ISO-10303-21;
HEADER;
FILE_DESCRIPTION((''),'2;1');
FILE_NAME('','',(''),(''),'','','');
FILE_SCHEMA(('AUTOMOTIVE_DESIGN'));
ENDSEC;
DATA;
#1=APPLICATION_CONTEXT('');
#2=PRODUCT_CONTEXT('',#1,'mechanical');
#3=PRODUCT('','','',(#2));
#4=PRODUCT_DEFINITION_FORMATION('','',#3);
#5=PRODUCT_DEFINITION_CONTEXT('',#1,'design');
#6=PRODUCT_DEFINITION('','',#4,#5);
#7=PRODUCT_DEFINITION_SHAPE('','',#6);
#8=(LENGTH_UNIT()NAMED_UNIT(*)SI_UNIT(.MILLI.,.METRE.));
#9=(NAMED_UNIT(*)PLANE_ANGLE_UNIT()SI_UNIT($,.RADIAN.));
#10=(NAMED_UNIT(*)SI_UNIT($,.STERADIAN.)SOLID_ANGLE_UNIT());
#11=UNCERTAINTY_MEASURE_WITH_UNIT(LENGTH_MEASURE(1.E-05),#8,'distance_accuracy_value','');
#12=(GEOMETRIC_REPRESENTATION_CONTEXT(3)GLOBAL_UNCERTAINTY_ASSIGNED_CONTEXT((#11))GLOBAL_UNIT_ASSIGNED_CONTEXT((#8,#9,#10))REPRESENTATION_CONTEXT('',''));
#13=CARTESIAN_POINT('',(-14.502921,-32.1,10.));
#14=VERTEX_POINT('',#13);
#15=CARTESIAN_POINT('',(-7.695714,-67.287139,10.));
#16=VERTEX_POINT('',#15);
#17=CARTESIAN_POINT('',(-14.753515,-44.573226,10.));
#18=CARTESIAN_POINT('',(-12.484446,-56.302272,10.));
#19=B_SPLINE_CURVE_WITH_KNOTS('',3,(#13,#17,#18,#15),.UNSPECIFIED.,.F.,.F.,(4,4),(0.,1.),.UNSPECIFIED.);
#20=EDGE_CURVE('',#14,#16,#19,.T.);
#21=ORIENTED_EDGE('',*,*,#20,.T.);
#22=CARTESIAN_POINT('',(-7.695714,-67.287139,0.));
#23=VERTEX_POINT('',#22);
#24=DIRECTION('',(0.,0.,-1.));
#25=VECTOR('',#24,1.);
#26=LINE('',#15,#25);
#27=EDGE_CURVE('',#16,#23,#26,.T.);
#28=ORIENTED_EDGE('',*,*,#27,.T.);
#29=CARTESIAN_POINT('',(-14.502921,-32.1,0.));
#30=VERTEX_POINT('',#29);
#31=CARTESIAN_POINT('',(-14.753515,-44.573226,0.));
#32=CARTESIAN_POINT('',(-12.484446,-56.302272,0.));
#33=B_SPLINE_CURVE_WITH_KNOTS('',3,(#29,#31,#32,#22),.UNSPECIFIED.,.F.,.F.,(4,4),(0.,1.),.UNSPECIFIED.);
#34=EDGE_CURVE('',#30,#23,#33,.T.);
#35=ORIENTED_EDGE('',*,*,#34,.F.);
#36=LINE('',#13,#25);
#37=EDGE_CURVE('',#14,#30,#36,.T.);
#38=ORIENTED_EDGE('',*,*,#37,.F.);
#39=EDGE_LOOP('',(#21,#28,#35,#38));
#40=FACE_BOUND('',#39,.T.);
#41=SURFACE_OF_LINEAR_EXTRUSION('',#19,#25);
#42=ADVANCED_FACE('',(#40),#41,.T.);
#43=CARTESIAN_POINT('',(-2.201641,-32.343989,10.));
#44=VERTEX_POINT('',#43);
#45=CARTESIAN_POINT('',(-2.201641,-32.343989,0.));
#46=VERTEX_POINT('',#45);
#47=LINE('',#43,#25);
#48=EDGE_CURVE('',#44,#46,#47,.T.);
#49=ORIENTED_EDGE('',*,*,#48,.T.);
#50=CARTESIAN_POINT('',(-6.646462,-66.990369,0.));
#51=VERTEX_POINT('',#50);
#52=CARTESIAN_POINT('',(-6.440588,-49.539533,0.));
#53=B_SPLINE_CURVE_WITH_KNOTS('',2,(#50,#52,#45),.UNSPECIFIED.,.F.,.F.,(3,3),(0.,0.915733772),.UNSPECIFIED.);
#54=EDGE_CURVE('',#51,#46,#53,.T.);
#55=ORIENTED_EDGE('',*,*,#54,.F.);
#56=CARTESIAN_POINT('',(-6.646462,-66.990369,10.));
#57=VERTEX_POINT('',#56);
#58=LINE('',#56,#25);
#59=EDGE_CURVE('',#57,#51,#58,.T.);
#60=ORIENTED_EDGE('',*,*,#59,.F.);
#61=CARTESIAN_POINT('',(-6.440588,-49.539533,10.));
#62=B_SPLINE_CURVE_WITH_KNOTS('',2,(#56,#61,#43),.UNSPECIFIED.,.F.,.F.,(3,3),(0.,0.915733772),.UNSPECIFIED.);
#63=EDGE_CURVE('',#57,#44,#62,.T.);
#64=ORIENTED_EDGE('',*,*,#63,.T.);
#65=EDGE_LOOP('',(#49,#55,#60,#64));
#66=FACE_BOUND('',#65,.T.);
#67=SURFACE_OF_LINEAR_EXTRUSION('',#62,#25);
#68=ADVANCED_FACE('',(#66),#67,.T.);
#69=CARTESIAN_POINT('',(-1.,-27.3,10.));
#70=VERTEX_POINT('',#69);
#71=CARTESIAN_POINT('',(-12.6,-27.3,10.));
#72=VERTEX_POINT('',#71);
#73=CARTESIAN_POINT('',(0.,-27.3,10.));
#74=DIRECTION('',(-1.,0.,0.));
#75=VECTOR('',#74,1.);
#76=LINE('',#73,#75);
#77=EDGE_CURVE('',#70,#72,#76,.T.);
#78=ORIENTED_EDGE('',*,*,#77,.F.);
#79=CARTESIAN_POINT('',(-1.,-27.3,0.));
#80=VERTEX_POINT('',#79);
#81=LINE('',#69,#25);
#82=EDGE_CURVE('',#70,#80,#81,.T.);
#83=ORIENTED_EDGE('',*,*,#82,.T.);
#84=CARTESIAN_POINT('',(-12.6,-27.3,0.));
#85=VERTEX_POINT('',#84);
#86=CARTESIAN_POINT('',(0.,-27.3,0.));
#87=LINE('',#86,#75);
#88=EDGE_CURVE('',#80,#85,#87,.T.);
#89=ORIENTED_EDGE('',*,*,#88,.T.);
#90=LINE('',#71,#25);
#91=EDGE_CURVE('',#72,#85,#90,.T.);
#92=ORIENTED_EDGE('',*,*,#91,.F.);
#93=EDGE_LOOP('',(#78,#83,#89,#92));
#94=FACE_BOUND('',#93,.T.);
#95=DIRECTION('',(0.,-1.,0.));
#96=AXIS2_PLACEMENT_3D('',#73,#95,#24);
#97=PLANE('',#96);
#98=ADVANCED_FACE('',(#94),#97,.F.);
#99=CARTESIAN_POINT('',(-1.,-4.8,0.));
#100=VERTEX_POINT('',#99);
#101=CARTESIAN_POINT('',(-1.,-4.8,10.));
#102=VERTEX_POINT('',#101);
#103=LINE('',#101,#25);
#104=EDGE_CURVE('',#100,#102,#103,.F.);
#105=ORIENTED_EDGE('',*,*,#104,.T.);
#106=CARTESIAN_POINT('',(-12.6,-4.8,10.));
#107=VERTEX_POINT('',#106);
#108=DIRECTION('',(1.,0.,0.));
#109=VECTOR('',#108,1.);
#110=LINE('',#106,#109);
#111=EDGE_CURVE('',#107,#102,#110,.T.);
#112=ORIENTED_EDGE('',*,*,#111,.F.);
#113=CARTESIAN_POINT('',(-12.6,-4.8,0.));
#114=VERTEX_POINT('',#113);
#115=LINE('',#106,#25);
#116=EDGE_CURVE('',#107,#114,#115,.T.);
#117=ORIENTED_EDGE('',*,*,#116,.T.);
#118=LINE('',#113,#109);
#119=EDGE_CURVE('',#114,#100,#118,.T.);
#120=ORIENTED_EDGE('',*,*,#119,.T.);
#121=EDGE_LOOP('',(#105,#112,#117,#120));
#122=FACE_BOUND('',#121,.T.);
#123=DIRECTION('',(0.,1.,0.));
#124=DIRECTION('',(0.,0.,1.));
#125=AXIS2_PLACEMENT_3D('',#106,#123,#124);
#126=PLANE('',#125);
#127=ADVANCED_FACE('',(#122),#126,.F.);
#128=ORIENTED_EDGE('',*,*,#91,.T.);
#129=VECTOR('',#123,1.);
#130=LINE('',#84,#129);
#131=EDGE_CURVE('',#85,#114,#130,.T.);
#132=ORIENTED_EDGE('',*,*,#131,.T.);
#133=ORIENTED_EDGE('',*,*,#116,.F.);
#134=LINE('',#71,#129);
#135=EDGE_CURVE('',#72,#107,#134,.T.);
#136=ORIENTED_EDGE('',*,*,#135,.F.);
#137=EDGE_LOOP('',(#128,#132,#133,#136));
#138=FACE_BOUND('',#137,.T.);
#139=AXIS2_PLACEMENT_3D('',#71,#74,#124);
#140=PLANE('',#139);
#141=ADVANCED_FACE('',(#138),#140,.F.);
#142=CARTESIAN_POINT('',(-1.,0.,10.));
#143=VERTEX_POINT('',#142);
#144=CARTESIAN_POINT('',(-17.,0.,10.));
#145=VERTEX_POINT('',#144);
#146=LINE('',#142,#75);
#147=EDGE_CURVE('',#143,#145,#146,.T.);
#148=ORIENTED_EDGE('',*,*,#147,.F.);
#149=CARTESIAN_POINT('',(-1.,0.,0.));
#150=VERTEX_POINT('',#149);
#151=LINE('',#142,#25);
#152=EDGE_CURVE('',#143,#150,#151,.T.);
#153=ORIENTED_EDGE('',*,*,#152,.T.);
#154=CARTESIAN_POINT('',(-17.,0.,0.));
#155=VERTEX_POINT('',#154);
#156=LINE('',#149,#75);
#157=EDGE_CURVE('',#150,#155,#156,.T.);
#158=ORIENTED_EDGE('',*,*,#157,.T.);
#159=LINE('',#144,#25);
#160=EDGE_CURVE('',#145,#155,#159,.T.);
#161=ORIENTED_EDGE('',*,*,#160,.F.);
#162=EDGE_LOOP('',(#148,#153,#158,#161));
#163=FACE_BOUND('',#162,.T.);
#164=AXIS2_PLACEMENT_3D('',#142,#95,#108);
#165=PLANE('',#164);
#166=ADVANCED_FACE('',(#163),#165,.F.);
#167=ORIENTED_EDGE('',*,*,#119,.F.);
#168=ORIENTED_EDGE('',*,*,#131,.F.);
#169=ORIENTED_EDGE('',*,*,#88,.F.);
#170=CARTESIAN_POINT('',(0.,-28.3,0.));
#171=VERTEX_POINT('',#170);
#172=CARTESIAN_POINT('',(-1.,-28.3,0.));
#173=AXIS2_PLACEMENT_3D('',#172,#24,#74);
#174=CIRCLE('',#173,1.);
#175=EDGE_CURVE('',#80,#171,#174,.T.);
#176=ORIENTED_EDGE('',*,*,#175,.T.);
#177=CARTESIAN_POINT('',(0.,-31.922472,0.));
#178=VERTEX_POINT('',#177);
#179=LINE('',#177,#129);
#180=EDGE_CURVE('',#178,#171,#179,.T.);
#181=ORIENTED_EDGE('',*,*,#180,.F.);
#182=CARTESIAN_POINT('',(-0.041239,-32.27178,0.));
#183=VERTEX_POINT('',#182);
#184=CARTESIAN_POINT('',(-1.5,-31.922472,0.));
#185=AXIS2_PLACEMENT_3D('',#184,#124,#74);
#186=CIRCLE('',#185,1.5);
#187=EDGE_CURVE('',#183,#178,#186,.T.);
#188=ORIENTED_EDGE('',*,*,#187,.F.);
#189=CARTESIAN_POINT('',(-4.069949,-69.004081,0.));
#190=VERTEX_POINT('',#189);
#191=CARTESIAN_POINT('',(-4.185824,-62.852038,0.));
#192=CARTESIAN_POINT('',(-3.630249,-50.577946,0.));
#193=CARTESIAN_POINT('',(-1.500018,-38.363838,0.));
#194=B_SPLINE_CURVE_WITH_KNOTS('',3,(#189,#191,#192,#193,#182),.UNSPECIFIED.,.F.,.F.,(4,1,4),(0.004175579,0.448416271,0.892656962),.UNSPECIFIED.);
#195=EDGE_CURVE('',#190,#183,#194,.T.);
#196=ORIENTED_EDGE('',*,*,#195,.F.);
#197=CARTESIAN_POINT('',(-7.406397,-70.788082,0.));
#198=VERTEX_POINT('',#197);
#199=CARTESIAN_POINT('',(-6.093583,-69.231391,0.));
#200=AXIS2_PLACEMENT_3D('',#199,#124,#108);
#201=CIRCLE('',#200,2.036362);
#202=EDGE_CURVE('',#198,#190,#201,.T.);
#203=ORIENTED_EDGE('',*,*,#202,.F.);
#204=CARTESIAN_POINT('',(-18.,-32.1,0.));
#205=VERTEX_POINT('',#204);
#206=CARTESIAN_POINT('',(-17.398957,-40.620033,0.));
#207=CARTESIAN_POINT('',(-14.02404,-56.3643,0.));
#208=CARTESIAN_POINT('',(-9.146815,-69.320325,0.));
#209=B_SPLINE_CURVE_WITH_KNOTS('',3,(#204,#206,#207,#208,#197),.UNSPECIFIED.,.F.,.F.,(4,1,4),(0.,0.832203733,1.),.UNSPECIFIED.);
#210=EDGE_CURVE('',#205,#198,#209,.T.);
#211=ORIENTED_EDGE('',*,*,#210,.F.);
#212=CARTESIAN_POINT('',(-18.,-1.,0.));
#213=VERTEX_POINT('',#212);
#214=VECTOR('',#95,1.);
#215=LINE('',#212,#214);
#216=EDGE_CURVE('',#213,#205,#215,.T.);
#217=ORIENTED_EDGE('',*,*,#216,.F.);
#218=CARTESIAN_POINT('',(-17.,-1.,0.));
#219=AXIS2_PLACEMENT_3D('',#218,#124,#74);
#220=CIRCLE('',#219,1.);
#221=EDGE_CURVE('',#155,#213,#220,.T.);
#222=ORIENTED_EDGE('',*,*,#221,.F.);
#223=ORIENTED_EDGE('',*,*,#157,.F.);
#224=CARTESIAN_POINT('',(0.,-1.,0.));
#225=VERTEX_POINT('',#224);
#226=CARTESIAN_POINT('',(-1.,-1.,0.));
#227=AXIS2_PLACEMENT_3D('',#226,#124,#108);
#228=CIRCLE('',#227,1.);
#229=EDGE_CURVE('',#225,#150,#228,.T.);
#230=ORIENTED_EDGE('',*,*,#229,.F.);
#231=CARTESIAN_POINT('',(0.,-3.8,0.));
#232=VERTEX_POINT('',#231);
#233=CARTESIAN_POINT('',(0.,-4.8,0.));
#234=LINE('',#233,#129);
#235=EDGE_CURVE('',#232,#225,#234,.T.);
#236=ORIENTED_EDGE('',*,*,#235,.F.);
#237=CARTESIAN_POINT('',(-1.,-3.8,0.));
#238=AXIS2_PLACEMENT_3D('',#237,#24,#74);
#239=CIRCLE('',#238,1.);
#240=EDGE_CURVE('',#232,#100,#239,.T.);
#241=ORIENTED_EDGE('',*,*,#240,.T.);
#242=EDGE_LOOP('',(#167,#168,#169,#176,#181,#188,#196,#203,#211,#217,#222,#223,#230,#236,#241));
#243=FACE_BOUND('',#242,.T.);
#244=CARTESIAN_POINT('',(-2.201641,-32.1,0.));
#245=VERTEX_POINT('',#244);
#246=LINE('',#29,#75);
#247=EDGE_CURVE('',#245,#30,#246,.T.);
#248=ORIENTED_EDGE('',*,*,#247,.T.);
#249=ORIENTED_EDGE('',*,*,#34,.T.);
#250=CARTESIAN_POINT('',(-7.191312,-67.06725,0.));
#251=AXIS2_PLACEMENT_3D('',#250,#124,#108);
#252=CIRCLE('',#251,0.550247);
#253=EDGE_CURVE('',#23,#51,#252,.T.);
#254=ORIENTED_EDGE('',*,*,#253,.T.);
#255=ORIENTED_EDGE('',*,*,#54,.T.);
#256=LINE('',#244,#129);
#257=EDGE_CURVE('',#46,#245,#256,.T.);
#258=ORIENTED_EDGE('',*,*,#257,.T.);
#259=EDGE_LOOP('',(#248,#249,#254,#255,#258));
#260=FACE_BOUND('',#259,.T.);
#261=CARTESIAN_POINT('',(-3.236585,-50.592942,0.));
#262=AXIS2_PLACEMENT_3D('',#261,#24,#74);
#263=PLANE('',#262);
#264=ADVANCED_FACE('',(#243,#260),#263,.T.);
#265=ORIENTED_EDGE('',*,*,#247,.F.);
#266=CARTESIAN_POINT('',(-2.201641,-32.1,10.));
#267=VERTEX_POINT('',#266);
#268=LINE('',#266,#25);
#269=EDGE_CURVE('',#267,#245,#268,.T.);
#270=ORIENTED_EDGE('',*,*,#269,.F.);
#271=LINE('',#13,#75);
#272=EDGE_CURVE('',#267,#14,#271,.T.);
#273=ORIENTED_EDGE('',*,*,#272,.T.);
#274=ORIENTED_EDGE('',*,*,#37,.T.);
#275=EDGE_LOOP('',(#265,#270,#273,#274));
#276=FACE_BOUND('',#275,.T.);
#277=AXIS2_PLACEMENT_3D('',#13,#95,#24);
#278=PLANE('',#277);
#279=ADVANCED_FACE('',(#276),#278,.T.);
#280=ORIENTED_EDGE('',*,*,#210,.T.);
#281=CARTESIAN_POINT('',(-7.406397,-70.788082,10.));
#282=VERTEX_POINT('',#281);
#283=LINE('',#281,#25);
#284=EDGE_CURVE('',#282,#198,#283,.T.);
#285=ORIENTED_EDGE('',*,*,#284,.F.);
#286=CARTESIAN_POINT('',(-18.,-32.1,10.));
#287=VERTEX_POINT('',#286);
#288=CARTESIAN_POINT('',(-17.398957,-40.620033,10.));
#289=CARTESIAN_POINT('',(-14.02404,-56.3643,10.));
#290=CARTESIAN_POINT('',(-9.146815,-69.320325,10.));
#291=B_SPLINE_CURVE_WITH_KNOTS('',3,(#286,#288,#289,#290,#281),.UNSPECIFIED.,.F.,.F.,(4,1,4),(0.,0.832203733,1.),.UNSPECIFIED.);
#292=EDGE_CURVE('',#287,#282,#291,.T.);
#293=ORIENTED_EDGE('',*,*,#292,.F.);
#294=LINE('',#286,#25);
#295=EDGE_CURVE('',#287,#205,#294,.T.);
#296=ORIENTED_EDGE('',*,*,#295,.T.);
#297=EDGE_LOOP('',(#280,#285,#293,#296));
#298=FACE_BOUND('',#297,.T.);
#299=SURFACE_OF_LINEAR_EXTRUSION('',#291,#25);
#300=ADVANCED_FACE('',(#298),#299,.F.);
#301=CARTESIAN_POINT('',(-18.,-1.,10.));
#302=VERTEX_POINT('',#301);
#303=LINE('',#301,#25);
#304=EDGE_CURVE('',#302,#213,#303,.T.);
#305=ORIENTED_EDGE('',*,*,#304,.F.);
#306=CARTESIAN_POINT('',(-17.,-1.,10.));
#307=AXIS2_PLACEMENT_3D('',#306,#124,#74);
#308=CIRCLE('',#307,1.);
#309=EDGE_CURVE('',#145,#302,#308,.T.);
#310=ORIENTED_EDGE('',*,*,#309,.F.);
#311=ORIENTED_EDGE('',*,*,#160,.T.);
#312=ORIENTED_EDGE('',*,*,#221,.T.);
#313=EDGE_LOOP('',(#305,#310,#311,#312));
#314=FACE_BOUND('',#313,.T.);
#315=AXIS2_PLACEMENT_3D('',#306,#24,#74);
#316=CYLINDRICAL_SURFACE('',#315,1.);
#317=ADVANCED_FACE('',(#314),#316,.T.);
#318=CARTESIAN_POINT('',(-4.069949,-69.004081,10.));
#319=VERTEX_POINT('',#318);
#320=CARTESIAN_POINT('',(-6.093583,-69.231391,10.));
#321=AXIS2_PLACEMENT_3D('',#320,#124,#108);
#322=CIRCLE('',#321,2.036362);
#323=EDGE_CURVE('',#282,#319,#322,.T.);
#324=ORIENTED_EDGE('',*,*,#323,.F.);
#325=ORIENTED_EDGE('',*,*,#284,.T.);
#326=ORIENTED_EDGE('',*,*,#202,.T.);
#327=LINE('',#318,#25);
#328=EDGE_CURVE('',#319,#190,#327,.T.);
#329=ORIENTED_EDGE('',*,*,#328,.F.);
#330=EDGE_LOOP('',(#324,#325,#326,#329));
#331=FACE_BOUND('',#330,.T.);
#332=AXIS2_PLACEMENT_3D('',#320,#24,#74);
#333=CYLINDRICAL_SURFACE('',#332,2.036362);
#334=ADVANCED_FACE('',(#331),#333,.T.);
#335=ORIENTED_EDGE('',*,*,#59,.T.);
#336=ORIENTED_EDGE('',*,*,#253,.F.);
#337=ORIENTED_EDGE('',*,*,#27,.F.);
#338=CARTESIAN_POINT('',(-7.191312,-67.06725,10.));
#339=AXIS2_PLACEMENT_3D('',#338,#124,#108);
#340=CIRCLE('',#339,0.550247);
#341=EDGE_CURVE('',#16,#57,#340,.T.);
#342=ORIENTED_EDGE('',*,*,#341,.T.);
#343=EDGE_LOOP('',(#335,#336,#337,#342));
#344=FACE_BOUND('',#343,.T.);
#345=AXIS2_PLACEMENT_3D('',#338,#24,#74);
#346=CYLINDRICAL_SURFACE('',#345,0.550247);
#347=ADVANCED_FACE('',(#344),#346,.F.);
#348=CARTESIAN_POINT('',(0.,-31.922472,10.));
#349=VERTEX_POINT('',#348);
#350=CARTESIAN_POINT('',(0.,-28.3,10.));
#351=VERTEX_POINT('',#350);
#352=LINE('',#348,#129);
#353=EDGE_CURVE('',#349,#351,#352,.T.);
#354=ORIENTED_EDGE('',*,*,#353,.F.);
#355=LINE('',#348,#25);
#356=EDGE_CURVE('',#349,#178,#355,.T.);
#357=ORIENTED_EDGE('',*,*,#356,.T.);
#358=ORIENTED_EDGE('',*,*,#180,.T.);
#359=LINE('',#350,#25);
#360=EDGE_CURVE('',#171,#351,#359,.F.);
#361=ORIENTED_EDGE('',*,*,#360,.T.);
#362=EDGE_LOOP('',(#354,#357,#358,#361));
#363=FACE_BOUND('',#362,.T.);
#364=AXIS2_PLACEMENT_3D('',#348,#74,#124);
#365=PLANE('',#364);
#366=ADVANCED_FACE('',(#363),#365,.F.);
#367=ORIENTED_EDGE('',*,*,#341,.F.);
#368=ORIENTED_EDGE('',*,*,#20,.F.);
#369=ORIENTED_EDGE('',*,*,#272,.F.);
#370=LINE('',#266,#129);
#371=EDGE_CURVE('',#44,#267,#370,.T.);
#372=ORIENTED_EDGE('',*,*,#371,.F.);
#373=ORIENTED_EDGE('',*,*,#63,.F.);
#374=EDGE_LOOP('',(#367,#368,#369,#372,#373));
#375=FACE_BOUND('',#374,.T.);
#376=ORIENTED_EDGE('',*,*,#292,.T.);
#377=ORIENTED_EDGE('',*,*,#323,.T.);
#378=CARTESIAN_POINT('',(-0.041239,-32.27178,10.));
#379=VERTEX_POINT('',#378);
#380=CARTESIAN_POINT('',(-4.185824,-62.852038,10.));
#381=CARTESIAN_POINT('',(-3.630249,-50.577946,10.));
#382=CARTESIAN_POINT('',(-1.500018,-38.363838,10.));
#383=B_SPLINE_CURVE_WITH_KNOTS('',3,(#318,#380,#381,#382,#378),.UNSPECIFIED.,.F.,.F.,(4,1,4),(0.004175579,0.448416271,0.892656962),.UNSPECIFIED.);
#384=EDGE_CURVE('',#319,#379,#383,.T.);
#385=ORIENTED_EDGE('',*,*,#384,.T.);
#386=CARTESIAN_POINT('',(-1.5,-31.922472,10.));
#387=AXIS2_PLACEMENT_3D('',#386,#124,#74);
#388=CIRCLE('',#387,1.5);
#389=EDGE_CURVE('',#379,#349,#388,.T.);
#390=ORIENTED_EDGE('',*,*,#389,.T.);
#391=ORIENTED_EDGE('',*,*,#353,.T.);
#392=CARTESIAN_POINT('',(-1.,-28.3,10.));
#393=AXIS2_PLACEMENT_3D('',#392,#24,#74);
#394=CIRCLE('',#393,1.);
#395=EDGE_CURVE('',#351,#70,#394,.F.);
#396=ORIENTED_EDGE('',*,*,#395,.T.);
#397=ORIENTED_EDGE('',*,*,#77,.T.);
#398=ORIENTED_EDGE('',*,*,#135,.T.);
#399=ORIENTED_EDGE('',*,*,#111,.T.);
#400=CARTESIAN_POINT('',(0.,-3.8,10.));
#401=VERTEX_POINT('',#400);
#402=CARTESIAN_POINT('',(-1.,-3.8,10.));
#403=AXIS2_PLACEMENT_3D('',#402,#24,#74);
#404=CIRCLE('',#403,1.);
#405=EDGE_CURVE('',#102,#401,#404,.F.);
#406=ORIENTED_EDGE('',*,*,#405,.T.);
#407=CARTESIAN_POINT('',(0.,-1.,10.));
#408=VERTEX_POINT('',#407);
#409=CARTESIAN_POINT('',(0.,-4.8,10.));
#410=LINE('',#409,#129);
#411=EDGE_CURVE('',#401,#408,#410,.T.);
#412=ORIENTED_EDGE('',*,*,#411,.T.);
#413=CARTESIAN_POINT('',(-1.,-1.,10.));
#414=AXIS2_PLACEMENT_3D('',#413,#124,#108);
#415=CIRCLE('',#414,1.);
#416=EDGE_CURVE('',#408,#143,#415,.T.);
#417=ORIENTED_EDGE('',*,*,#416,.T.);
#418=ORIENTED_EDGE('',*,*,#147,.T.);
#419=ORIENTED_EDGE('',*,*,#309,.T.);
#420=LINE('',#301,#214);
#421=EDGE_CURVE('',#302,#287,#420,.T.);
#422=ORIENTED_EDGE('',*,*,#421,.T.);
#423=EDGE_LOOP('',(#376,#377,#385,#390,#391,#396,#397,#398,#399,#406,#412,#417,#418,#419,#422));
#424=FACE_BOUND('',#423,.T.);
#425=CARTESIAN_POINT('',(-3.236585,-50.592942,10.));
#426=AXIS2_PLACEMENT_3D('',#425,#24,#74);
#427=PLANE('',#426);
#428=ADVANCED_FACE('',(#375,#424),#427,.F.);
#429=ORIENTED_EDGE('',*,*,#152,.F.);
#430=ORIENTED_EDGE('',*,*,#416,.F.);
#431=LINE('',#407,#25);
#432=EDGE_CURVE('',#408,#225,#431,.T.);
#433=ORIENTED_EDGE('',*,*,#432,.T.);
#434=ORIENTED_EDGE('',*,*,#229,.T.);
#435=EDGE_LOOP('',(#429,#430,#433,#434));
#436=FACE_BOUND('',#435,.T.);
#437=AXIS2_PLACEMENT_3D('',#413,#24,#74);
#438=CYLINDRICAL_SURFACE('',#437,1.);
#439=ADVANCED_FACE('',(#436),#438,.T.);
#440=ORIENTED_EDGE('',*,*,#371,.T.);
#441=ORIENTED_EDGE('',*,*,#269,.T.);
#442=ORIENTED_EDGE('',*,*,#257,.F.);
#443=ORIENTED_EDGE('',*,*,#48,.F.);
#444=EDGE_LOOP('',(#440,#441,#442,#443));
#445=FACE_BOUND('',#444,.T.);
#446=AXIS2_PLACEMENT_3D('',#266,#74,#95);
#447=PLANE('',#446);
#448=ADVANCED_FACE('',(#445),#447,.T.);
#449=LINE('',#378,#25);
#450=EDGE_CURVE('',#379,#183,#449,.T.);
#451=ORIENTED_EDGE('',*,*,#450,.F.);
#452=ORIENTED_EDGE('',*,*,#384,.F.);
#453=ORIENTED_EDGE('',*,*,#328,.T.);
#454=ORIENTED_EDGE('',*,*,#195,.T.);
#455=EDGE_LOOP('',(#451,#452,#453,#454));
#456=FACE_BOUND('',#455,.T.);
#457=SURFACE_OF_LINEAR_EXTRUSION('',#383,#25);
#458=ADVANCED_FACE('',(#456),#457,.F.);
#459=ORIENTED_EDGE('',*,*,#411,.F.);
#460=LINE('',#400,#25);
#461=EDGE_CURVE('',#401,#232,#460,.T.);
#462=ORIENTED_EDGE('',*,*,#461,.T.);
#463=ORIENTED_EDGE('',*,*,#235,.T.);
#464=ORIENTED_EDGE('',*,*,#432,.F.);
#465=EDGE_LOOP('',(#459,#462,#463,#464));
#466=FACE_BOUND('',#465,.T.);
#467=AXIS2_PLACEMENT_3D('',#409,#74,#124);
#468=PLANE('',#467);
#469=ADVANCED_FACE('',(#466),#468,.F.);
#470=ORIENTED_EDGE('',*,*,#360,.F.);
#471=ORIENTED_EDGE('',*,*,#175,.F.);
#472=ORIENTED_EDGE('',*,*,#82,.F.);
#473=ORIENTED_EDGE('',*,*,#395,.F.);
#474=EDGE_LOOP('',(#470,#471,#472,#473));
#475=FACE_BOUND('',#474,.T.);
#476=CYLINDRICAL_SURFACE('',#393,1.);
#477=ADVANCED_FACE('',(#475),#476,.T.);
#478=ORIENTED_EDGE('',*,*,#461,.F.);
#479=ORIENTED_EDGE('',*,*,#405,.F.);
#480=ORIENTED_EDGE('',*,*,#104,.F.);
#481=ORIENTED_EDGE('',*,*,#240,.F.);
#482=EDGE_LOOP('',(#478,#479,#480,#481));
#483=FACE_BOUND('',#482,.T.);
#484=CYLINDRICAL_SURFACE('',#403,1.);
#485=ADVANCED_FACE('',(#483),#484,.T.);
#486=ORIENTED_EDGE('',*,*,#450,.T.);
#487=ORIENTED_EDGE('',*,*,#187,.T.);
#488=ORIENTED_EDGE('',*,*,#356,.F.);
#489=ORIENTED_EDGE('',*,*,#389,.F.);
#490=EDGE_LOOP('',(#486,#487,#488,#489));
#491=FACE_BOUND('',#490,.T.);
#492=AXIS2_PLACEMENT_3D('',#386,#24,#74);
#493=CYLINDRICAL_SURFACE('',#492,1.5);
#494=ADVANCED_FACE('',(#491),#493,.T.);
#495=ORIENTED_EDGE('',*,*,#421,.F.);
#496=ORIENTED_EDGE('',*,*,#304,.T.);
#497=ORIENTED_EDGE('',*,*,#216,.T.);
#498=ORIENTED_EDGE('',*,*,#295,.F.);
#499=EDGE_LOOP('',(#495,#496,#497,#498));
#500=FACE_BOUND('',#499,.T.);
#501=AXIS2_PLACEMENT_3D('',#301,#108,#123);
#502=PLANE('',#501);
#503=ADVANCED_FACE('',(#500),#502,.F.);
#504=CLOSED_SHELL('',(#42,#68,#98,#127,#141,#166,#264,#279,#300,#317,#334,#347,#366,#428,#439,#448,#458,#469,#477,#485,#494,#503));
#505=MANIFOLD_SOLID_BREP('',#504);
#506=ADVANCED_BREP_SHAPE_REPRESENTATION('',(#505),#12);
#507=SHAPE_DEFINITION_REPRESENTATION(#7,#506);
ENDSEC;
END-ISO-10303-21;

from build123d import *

# Parameters (mm, degrees)
EXTRUDE_1_DEPTH = 10
FILLET_2_R      = 1


with BuildPart() as part:
    # 草图1 → 凸台-拉伸1 (new body)
    with BuildSketch(Plane.XY):
        with BuildLine():
            Line((-1, 0), (-17, 0))
            ThreePointArc((-17, 0), (-17.707106781, -0.292893219), (-18, -1))
            Line((-18, -1), (-18, -32.1))
            add(Edge.make_bspline(
                [(-18, -32.1), (-17.398957494, -40.620033007), (-14.024039593, -56.364300347), (-9.146815425, -69.320325423), (-7.406396999, -70.788082272)],
                knots=[0, 0, 0, 0, 0.832203733, 1, 1, 1, 1], degree=3))
            ThreePointArc((-7.406396999, -70.788082272), (-5.133384432, -71.027159545), (-4.069948517, -69.004080671))
            add(Edge.make_bspline(
                [(-0.041239115, -32.271780397), (-1.500018129, -38.363838214), (-3.630248711, -50.577946078), (-4.185824398, -62.852038397), (-4.069948517, -69.004080671)],
                knots=[0.004175579, 0.004175579, 0.004175579, 0.004175579, 0.448416271, 0.892656962, 0.892656962, 0.892656962, 0.892656962], degree=3))
            ThreePointArc((-0.041239115, -32.271780397), (-0.010345455, -32.098338919), (0, -31.922471537))
            Line((0, -31.922471537), (0, -27.3))
            Line((0, -27.3), (-12.6, -27.3))
            Line((-12.6, -27.3), (-12.6, -4.8))
            Line((-12.6, -4.8), (0, -4.8))
            Line((0, -4.8), (0, -1))
            ThreePointArc((0, -1), (-0.292893219, -0.292893219), (-1, 0))
        make_face()
        with BuildLine():
            Line((-14.502921195, -32.1), (-2.20164077, -32.1))
            Line((-2.20164077, -32.1), (-2.20164077, -32.343989367))
            add(Edge.make_bspline(
                [(-2.20164077, -32.343989367), (-6.440587853, -49.539532595), (-6.646462239, -66.99036895)],
                knots=[0, 0, 0, 0.915733772, 0.915733772, 0.915733772], degree=2))
            ThreePointArc((-6.646462239, -66.99036895), (-7.041555359, -67.59672648), (-7.695713933, -67.28713871))
            add(Edge.make_bspline(
                [(-14.502921195, -32.1), (-14.753514705, -44.573225705), (-12.484445617, -56.302271942), (-7.695713933, -67.28713871)],
                knots=[0, 0, 0, 0, 1, 1, 1, 1], degree=3))
        make_face(mode=Mode.SUBTRACT)
    extrude(amount=EXTRUDE_1_DEPTH)

    # 圆角2
    fillet_2_edges = [part.edges().sort_by_distance(p)[0] for p in [
        (0, -4.8, 5),
        (0, -27.3, 5),
    ]]
    fillet(fillet_2_edges, radius=FILLET_2_R)


solid = part.part
